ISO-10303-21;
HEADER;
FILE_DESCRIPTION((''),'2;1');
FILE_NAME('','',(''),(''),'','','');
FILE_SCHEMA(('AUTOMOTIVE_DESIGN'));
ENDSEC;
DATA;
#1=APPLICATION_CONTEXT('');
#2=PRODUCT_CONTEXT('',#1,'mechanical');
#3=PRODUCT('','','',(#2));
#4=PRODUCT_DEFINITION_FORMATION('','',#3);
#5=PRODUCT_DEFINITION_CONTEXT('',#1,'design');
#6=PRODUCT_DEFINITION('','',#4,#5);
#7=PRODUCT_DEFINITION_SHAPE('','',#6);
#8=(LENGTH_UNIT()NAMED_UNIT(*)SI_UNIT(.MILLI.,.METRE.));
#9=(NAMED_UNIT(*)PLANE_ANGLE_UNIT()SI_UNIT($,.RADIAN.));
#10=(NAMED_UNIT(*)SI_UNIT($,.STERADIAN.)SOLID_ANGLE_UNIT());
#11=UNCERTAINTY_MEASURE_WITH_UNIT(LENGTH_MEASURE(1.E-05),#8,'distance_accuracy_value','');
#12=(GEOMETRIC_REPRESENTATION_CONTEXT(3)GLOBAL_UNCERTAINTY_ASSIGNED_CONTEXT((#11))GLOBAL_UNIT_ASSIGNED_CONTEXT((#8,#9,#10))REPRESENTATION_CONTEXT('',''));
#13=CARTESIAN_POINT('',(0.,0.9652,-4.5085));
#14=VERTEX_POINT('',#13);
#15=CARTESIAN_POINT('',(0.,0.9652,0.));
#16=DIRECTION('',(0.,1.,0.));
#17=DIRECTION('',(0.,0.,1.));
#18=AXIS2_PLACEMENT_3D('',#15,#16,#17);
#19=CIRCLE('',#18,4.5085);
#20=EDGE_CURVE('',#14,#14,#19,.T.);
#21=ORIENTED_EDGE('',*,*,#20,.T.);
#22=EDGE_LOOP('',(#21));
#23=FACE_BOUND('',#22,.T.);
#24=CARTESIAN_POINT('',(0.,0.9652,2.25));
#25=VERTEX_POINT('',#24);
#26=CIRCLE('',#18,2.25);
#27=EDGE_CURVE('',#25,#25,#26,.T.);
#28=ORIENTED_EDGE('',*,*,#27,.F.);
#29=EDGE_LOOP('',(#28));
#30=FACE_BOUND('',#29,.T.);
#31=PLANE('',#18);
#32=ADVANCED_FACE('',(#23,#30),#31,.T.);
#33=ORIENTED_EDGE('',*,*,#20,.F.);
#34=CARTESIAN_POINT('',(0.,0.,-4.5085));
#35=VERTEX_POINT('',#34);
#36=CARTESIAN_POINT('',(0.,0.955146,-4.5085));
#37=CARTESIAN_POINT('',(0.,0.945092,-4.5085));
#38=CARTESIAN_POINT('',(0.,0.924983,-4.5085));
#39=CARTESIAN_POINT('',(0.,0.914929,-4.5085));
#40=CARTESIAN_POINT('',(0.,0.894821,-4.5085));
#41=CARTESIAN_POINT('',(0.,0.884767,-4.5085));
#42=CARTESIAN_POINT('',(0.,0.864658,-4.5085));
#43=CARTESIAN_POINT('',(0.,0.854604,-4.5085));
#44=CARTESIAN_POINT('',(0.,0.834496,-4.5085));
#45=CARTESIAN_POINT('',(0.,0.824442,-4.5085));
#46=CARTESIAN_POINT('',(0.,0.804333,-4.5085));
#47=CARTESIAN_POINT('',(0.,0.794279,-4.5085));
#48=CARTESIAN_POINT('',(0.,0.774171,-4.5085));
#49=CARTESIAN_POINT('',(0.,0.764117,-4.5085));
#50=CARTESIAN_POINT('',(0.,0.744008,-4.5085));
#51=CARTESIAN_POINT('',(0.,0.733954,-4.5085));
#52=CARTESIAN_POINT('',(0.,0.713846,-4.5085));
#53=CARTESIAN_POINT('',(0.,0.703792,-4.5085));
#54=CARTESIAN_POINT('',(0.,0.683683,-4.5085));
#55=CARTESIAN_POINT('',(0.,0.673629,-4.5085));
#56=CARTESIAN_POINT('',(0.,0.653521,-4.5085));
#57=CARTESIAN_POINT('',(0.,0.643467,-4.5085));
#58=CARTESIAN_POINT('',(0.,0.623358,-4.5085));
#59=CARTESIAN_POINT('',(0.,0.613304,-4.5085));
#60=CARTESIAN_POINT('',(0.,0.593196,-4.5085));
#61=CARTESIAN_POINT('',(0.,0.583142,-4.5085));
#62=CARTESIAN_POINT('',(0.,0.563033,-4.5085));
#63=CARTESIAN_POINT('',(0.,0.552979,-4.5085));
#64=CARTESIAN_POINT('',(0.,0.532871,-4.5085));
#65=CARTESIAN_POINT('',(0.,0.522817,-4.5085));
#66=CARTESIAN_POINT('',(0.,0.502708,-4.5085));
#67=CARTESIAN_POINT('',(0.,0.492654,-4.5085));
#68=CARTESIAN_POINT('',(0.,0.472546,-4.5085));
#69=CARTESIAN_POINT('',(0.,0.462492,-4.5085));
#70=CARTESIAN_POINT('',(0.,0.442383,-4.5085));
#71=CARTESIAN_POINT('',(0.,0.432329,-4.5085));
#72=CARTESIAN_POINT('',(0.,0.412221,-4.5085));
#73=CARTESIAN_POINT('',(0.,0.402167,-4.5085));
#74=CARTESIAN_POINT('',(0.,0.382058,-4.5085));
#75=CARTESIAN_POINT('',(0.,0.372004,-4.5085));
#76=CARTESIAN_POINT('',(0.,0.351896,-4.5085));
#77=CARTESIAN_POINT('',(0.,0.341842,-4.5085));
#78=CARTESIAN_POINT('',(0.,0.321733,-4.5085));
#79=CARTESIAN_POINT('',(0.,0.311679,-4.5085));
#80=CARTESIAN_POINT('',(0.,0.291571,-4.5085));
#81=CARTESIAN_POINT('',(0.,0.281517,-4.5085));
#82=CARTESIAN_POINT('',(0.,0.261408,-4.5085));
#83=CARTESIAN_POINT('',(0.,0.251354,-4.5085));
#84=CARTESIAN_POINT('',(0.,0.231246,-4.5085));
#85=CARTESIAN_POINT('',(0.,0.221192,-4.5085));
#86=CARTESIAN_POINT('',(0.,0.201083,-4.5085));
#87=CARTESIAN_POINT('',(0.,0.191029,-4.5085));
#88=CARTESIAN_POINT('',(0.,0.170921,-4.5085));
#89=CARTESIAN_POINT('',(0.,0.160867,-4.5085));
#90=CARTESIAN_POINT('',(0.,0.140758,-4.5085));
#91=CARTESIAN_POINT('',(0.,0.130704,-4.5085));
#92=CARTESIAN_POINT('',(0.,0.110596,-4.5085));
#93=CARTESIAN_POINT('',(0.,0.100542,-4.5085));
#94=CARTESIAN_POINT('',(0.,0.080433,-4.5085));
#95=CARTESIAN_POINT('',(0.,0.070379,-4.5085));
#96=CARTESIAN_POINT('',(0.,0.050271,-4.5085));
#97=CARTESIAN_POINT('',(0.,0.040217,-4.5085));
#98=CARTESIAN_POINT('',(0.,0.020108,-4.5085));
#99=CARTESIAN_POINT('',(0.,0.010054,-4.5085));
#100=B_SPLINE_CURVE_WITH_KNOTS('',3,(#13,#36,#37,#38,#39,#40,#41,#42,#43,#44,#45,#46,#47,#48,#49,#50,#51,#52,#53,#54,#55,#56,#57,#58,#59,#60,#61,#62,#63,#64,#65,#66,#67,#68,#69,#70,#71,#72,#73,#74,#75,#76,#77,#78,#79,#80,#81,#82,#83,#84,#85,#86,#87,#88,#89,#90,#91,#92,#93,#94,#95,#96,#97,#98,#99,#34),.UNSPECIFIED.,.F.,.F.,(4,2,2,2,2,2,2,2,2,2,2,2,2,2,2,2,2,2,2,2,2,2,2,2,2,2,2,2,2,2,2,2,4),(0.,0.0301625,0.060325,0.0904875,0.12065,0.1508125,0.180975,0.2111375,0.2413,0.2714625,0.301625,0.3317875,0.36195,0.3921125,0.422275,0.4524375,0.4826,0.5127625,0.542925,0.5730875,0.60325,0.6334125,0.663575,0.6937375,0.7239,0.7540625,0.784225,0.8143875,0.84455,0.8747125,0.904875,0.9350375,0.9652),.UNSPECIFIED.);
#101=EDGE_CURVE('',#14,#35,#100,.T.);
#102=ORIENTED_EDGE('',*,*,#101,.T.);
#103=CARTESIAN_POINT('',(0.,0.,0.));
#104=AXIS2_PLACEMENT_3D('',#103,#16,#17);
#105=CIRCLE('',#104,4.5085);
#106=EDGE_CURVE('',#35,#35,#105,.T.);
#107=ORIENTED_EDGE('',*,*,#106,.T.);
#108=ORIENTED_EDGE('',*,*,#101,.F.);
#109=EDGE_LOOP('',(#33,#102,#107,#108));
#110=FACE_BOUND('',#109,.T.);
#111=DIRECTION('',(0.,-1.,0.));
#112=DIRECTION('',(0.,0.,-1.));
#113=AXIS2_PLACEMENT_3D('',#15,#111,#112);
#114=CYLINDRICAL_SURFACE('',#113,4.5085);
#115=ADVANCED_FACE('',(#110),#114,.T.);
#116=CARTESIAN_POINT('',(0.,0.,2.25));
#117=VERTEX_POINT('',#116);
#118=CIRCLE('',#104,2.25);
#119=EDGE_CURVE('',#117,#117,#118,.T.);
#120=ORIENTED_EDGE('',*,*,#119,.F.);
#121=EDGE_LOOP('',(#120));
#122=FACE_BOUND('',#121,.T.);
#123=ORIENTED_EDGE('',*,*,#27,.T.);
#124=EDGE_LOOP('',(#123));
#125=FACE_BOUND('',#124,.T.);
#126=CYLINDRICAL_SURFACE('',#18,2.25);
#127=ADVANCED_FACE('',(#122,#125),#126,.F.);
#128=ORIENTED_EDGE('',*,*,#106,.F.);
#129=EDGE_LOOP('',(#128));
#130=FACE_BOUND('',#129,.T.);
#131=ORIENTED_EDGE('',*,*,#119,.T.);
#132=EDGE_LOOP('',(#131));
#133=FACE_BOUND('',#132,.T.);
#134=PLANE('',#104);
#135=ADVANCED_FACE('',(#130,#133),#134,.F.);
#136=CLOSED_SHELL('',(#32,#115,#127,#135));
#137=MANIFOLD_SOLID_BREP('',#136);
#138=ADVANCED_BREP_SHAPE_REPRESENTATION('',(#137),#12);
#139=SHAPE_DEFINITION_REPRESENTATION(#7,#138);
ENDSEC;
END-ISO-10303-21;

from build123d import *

# Parameters (mm, degrees)
SKETCH1_R            = 4.5085
BOSS_EXTRUDE1_DEPTH  = 0.9652
M4_CLEARANCE_HOLE1_D = 4.5


with BuildPart() as part:
    # Sketch1 → Boss-Extrude1 (new body)
    with BuildSketch(Plane(origin=(0, 0, 0), x_dir=(1, 0, 0), z_dir=(0, 1, 0))):
        with Locations(Location((0, 0, 0), (0, 0, 90))):
            Circle(SKETCH1_R)
    extrude(amount=BOSS_EXTRUDE1_DEPTH)

    # M4 Clearance Hole1 (through all)
    with Locations(Plane(origin=(0, 0.9652, 0), x_dir=(1, 0, 0), z_dir=(0, 1, 0))):
        with Locations((0, 0)):
            Hole(M4_CLEARANCE_HOLE1_D / 2)


solid = part.part
